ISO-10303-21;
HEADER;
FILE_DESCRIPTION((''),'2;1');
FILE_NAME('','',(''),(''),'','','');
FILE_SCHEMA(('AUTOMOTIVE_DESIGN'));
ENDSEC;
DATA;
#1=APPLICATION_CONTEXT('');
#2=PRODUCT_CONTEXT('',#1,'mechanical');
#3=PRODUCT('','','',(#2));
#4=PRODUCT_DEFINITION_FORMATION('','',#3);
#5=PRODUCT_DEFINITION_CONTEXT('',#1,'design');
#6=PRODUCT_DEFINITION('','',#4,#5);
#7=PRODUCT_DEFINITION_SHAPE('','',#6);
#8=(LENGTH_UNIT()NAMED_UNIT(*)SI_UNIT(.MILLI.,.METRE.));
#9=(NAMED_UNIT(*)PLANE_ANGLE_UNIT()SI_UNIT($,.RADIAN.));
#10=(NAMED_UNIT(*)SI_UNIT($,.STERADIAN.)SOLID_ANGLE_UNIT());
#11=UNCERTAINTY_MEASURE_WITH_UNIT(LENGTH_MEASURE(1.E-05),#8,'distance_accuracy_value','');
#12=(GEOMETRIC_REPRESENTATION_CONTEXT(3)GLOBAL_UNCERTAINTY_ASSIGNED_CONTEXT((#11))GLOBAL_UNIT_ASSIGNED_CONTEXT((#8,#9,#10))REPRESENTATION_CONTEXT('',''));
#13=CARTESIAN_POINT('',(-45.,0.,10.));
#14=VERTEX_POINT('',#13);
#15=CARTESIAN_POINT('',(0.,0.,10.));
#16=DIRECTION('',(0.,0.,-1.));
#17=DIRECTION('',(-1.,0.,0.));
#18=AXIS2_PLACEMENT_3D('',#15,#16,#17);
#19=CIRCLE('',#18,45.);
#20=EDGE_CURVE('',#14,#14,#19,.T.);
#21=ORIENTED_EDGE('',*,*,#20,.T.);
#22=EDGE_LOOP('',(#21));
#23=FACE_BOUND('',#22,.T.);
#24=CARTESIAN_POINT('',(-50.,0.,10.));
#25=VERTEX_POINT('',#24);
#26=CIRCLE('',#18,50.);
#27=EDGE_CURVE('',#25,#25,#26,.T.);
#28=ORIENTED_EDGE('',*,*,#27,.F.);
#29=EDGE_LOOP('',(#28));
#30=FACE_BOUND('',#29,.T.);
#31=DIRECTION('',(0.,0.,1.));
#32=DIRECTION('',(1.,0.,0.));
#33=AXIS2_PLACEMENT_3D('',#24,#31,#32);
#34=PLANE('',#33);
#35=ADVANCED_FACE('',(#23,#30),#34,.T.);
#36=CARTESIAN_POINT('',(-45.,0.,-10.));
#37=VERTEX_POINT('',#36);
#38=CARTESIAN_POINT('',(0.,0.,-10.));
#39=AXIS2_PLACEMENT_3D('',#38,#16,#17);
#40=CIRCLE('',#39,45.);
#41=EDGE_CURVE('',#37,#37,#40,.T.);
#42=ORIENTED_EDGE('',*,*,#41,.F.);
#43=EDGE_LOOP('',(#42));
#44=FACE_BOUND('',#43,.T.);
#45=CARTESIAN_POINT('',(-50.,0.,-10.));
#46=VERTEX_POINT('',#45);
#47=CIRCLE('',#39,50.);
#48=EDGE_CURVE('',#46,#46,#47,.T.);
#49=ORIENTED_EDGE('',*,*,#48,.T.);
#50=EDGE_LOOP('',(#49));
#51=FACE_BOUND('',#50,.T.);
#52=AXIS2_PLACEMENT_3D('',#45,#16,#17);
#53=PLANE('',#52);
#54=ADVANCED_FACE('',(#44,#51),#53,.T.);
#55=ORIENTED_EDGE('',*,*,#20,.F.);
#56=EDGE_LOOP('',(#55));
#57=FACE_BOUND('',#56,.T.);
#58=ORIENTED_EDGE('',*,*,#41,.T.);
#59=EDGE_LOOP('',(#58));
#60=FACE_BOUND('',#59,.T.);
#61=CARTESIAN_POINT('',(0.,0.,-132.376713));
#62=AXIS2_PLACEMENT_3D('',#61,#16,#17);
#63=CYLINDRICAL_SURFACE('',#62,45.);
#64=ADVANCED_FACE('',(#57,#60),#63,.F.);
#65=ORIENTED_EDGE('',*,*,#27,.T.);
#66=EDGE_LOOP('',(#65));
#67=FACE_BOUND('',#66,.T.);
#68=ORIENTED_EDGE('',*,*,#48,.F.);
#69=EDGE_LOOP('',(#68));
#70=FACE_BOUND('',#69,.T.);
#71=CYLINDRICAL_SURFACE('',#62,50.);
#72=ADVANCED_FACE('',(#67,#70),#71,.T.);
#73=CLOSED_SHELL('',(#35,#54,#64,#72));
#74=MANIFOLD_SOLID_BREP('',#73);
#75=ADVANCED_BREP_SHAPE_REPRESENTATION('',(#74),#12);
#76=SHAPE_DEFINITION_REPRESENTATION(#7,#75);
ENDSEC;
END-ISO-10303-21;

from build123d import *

# Parameters (mm, degrees)
SKETCH1_W = 5
SKETCH1_H = 20


with BuildPart() as part:
    # Sketch1 → Revolve2 (revolve)
    with BuildSketch(Plane(origin=(0, 0, 0), x_dir=(1, 0, 0), z_dir=(0, 1, 0))):
        with Locations((-47.5, 0)):
            Rectangle(SKETCH1_W, SKETCH1_H)
    revolve(axis=Axis((0, 0, -132.376712776), (0, 0, 1)))


solid = part.part
